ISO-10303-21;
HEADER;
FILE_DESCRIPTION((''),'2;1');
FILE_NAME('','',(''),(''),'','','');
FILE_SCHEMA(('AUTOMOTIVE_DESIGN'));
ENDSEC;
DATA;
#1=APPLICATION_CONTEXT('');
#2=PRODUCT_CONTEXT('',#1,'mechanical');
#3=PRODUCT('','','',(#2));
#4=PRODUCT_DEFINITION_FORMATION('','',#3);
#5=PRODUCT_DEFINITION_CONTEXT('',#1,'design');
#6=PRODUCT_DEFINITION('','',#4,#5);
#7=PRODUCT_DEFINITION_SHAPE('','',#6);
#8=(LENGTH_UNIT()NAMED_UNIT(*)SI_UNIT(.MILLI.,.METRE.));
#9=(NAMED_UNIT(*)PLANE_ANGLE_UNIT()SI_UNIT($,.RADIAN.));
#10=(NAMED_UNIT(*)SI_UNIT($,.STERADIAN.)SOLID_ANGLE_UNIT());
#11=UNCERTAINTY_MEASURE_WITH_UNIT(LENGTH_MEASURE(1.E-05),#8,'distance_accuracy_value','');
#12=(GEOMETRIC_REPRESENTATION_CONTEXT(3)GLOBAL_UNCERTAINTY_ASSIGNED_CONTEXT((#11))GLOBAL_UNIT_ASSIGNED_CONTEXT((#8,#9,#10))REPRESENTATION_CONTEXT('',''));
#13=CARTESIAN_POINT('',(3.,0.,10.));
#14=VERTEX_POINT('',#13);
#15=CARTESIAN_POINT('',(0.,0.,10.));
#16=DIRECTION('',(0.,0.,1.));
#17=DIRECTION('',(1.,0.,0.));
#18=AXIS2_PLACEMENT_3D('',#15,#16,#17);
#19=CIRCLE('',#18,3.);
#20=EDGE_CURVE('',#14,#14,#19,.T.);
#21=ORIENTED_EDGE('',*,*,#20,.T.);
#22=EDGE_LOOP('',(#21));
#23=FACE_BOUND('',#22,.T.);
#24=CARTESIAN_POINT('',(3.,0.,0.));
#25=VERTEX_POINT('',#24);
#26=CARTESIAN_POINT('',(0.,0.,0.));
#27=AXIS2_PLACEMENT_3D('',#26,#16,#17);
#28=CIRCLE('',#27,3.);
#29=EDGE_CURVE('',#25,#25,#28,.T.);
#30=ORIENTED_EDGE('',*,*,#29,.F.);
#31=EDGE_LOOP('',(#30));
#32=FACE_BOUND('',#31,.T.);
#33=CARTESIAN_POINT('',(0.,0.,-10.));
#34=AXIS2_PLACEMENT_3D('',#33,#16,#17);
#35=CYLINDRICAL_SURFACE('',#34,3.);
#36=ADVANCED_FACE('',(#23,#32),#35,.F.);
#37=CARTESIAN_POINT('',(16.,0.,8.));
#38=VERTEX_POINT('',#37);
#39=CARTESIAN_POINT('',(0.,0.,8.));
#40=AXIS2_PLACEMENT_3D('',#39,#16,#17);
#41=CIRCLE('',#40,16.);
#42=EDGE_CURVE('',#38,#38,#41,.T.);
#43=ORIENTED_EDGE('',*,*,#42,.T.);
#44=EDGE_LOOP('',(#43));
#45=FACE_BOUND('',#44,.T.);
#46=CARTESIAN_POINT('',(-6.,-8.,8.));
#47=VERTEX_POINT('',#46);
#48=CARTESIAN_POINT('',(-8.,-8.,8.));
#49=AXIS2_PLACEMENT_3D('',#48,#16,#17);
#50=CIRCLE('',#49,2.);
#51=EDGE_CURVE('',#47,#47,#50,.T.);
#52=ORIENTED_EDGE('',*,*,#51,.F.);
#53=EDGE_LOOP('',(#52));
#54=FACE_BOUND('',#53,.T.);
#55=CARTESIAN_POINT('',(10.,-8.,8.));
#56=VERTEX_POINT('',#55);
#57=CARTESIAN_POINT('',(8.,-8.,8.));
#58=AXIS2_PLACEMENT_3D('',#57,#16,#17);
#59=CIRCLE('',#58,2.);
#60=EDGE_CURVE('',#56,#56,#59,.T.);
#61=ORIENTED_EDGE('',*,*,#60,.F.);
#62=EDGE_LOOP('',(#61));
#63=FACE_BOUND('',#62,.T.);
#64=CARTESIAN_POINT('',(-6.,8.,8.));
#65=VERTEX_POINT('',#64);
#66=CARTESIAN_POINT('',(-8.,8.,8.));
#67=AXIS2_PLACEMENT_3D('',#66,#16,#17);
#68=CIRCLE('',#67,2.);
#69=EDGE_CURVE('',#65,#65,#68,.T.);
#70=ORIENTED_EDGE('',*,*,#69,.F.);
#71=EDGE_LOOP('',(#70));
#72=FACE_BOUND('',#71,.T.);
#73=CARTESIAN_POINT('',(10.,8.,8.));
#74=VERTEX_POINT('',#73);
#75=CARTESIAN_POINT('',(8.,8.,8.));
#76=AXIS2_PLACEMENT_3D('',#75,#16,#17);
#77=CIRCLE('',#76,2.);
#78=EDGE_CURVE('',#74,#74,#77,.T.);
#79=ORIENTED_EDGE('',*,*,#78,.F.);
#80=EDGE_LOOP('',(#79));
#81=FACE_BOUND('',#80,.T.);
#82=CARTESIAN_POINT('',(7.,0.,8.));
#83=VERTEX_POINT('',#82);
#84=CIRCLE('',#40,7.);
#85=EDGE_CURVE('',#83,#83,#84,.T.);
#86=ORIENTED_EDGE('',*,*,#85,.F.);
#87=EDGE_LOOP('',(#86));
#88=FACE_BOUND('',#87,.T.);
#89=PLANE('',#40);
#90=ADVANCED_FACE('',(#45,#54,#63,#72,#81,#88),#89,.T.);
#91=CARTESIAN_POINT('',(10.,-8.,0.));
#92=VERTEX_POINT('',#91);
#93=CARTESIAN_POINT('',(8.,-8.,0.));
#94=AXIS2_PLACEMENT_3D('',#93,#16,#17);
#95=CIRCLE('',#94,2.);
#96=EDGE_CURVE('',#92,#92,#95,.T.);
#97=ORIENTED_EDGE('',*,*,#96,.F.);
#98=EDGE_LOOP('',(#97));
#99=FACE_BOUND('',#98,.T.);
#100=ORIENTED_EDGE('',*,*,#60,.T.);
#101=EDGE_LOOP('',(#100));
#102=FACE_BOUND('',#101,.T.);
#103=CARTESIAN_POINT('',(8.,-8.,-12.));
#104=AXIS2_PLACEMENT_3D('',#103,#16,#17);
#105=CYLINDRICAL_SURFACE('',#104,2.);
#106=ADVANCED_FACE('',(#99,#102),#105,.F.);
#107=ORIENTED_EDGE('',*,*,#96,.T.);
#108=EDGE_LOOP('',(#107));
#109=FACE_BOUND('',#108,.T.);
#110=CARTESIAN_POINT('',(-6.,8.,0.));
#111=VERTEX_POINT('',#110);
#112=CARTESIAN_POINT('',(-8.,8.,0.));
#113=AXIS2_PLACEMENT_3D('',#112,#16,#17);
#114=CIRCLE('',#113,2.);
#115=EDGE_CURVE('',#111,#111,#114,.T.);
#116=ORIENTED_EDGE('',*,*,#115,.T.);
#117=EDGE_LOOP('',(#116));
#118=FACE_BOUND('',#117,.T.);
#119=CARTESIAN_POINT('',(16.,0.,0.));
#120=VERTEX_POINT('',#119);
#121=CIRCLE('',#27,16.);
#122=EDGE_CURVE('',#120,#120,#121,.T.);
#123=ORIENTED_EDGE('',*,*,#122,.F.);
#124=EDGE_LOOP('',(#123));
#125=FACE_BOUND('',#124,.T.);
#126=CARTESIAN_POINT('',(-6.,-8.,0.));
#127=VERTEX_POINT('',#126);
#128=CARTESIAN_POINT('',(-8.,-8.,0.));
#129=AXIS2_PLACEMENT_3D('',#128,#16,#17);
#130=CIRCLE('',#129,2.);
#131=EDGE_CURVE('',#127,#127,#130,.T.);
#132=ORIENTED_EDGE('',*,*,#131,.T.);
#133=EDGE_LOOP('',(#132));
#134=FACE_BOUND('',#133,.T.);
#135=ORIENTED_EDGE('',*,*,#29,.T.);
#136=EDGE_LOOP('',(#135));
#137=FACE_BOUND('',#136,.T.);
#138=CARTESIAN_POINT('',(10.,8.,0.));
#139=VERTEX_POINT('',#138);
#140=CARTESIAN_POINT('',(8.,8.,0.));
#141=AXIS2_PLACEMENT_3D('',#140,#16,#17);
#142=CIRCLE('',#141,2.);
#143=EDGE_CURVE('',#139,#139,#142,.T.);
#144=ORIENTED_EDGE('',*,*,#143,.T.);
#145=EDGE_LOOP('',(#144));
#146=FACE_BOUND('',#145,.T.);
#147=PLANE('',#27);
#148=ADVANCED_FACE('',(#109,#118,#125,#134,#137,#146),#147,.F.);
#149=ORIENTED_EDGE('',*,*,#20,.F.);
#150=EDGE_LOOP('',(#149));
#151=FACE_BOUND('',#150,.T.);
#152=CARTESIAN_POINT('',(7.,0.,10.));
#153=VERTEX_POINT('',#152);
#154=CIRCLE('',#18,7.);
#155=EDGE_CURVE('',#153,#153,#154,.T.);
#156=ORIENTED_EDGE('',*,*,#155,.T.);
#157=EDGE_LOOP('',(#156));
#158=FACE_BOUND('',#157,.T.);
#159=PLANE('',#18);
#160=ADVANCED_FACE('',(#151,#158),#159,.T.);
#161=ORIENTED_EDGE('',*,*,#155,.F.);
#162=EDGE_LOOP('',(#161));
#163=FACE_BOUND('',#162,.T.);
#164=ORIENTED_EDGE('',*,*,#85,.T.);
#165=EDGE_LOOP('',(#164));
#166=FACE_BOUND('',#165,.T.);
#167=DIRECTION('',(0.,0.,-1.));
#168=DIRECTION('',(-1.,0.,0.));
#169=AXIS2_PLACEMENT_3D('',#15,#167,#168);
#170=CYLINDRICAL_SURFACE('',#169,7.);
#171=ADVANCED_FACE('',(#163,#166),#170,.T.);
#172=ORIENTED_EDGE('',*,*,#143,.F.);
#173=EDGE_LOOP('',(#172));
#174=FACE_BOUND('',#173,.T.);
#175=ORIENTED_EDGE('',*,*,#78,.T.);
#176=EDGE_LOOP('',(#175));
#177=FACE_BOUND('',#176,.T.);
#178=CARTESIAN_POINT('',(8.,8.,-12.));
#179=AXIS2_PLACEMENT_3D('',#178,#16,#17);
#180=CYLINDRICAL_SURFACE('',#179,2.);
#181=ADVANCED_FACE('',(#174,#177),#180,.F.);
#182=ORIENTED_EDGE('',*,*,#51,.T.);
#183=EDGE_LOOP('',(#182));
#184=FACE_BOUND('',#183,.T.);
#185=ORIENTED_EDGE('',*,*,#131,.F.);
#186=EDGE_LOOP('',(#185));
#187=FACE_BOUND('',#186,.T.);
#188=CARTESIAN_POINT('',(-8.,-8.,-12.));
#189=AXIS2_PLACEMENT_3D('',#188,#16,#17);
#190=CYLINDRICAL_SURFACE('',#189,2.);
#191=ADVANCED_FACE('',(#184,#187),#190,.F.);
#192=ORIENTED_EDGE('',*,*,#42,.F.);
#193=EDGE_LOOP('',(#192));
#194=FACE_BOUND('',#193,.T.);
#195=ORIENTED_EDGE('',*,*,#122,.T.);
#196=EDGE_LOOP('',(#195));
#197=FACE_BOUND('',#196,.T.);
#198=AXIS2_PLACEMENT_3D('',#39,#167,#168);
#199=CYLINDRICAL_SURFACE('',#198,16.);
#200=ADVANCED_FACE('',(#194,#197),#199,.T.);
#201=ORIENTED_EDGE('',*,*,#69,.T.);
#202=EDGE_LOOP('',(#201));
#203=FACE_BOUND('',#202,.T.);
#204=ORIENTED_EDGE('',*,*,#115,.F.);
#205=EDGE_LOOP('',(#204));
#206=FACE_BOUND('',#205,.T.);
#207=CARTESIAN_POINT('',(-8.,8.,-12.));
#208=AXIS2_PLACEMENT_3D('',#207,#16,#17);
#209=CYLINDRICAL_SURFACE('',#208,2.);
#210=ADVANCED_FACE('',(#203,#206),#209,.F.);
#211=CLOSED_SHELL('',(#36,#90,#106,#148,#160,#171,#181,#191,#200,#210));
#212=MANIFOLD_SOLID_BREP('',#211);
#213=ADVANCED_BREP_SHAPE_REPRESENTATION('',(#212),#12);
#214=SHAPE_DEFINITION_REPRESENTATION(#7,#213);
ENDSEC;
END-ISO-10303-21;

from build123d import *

# Parameters (mm, degrees)
SKETCH_1_R          = 16
EXTRUDE_1_DEPTH     = 8
SKETCH_2_R          = 7
EXTRUDE_2_DEPTH     = 2
SKETCH_3_R          = 2
CUT_EXTRUDE_1_DEPTH = 20
SKETCH_4_R          = 3
CUT_EXTRUDE_2_DEPTH = 20


with BuildPart() as part:
    # 草图1 → 凸台-拉伸1 (new body)
    with BuildSketch(Plane.XY):
        Circle(SKETCH_1_R)
    extrude(amount=EXTRUDE_1_DEPTH)

    # 草图2 → 凸台-拉伸2 (add)
    with BuildSketch(Plane.XY.offset(8)):
        Circle(SKETCH_2_R)
    extrude(amount=EXTRUDE_2_DEPTH)

    # 草图3 → 切除-拉伸1 (cut)
    with BuildSketch(Plane.XY.offset(8)):
        with Locations((-8, 8)):
            Circle(SKETCH_3_R)
        with Locations((8, 8)):
            Circle(SKETCH_3_R)
        with Locations((8, -8)):
            Circle(SKETCH_3_R)
        with Locations((-8, -8)):
            Circle(SKETCH_3_R)
    extrude(amount=-CUT_EXTRUDE_1_DEPTH, mode=Mode.SUBTRACT)

    # 草图4 → 切除-拉伸2 (cut)
    with BuildSketch(Plane.XY.offset(10)):
        Circle(SKETCH_4_R)
    extrude(amount=-CUT_EXTRUDE_2_DEPTH, mode=Mode.SUBTRACT)


solid = part.part
